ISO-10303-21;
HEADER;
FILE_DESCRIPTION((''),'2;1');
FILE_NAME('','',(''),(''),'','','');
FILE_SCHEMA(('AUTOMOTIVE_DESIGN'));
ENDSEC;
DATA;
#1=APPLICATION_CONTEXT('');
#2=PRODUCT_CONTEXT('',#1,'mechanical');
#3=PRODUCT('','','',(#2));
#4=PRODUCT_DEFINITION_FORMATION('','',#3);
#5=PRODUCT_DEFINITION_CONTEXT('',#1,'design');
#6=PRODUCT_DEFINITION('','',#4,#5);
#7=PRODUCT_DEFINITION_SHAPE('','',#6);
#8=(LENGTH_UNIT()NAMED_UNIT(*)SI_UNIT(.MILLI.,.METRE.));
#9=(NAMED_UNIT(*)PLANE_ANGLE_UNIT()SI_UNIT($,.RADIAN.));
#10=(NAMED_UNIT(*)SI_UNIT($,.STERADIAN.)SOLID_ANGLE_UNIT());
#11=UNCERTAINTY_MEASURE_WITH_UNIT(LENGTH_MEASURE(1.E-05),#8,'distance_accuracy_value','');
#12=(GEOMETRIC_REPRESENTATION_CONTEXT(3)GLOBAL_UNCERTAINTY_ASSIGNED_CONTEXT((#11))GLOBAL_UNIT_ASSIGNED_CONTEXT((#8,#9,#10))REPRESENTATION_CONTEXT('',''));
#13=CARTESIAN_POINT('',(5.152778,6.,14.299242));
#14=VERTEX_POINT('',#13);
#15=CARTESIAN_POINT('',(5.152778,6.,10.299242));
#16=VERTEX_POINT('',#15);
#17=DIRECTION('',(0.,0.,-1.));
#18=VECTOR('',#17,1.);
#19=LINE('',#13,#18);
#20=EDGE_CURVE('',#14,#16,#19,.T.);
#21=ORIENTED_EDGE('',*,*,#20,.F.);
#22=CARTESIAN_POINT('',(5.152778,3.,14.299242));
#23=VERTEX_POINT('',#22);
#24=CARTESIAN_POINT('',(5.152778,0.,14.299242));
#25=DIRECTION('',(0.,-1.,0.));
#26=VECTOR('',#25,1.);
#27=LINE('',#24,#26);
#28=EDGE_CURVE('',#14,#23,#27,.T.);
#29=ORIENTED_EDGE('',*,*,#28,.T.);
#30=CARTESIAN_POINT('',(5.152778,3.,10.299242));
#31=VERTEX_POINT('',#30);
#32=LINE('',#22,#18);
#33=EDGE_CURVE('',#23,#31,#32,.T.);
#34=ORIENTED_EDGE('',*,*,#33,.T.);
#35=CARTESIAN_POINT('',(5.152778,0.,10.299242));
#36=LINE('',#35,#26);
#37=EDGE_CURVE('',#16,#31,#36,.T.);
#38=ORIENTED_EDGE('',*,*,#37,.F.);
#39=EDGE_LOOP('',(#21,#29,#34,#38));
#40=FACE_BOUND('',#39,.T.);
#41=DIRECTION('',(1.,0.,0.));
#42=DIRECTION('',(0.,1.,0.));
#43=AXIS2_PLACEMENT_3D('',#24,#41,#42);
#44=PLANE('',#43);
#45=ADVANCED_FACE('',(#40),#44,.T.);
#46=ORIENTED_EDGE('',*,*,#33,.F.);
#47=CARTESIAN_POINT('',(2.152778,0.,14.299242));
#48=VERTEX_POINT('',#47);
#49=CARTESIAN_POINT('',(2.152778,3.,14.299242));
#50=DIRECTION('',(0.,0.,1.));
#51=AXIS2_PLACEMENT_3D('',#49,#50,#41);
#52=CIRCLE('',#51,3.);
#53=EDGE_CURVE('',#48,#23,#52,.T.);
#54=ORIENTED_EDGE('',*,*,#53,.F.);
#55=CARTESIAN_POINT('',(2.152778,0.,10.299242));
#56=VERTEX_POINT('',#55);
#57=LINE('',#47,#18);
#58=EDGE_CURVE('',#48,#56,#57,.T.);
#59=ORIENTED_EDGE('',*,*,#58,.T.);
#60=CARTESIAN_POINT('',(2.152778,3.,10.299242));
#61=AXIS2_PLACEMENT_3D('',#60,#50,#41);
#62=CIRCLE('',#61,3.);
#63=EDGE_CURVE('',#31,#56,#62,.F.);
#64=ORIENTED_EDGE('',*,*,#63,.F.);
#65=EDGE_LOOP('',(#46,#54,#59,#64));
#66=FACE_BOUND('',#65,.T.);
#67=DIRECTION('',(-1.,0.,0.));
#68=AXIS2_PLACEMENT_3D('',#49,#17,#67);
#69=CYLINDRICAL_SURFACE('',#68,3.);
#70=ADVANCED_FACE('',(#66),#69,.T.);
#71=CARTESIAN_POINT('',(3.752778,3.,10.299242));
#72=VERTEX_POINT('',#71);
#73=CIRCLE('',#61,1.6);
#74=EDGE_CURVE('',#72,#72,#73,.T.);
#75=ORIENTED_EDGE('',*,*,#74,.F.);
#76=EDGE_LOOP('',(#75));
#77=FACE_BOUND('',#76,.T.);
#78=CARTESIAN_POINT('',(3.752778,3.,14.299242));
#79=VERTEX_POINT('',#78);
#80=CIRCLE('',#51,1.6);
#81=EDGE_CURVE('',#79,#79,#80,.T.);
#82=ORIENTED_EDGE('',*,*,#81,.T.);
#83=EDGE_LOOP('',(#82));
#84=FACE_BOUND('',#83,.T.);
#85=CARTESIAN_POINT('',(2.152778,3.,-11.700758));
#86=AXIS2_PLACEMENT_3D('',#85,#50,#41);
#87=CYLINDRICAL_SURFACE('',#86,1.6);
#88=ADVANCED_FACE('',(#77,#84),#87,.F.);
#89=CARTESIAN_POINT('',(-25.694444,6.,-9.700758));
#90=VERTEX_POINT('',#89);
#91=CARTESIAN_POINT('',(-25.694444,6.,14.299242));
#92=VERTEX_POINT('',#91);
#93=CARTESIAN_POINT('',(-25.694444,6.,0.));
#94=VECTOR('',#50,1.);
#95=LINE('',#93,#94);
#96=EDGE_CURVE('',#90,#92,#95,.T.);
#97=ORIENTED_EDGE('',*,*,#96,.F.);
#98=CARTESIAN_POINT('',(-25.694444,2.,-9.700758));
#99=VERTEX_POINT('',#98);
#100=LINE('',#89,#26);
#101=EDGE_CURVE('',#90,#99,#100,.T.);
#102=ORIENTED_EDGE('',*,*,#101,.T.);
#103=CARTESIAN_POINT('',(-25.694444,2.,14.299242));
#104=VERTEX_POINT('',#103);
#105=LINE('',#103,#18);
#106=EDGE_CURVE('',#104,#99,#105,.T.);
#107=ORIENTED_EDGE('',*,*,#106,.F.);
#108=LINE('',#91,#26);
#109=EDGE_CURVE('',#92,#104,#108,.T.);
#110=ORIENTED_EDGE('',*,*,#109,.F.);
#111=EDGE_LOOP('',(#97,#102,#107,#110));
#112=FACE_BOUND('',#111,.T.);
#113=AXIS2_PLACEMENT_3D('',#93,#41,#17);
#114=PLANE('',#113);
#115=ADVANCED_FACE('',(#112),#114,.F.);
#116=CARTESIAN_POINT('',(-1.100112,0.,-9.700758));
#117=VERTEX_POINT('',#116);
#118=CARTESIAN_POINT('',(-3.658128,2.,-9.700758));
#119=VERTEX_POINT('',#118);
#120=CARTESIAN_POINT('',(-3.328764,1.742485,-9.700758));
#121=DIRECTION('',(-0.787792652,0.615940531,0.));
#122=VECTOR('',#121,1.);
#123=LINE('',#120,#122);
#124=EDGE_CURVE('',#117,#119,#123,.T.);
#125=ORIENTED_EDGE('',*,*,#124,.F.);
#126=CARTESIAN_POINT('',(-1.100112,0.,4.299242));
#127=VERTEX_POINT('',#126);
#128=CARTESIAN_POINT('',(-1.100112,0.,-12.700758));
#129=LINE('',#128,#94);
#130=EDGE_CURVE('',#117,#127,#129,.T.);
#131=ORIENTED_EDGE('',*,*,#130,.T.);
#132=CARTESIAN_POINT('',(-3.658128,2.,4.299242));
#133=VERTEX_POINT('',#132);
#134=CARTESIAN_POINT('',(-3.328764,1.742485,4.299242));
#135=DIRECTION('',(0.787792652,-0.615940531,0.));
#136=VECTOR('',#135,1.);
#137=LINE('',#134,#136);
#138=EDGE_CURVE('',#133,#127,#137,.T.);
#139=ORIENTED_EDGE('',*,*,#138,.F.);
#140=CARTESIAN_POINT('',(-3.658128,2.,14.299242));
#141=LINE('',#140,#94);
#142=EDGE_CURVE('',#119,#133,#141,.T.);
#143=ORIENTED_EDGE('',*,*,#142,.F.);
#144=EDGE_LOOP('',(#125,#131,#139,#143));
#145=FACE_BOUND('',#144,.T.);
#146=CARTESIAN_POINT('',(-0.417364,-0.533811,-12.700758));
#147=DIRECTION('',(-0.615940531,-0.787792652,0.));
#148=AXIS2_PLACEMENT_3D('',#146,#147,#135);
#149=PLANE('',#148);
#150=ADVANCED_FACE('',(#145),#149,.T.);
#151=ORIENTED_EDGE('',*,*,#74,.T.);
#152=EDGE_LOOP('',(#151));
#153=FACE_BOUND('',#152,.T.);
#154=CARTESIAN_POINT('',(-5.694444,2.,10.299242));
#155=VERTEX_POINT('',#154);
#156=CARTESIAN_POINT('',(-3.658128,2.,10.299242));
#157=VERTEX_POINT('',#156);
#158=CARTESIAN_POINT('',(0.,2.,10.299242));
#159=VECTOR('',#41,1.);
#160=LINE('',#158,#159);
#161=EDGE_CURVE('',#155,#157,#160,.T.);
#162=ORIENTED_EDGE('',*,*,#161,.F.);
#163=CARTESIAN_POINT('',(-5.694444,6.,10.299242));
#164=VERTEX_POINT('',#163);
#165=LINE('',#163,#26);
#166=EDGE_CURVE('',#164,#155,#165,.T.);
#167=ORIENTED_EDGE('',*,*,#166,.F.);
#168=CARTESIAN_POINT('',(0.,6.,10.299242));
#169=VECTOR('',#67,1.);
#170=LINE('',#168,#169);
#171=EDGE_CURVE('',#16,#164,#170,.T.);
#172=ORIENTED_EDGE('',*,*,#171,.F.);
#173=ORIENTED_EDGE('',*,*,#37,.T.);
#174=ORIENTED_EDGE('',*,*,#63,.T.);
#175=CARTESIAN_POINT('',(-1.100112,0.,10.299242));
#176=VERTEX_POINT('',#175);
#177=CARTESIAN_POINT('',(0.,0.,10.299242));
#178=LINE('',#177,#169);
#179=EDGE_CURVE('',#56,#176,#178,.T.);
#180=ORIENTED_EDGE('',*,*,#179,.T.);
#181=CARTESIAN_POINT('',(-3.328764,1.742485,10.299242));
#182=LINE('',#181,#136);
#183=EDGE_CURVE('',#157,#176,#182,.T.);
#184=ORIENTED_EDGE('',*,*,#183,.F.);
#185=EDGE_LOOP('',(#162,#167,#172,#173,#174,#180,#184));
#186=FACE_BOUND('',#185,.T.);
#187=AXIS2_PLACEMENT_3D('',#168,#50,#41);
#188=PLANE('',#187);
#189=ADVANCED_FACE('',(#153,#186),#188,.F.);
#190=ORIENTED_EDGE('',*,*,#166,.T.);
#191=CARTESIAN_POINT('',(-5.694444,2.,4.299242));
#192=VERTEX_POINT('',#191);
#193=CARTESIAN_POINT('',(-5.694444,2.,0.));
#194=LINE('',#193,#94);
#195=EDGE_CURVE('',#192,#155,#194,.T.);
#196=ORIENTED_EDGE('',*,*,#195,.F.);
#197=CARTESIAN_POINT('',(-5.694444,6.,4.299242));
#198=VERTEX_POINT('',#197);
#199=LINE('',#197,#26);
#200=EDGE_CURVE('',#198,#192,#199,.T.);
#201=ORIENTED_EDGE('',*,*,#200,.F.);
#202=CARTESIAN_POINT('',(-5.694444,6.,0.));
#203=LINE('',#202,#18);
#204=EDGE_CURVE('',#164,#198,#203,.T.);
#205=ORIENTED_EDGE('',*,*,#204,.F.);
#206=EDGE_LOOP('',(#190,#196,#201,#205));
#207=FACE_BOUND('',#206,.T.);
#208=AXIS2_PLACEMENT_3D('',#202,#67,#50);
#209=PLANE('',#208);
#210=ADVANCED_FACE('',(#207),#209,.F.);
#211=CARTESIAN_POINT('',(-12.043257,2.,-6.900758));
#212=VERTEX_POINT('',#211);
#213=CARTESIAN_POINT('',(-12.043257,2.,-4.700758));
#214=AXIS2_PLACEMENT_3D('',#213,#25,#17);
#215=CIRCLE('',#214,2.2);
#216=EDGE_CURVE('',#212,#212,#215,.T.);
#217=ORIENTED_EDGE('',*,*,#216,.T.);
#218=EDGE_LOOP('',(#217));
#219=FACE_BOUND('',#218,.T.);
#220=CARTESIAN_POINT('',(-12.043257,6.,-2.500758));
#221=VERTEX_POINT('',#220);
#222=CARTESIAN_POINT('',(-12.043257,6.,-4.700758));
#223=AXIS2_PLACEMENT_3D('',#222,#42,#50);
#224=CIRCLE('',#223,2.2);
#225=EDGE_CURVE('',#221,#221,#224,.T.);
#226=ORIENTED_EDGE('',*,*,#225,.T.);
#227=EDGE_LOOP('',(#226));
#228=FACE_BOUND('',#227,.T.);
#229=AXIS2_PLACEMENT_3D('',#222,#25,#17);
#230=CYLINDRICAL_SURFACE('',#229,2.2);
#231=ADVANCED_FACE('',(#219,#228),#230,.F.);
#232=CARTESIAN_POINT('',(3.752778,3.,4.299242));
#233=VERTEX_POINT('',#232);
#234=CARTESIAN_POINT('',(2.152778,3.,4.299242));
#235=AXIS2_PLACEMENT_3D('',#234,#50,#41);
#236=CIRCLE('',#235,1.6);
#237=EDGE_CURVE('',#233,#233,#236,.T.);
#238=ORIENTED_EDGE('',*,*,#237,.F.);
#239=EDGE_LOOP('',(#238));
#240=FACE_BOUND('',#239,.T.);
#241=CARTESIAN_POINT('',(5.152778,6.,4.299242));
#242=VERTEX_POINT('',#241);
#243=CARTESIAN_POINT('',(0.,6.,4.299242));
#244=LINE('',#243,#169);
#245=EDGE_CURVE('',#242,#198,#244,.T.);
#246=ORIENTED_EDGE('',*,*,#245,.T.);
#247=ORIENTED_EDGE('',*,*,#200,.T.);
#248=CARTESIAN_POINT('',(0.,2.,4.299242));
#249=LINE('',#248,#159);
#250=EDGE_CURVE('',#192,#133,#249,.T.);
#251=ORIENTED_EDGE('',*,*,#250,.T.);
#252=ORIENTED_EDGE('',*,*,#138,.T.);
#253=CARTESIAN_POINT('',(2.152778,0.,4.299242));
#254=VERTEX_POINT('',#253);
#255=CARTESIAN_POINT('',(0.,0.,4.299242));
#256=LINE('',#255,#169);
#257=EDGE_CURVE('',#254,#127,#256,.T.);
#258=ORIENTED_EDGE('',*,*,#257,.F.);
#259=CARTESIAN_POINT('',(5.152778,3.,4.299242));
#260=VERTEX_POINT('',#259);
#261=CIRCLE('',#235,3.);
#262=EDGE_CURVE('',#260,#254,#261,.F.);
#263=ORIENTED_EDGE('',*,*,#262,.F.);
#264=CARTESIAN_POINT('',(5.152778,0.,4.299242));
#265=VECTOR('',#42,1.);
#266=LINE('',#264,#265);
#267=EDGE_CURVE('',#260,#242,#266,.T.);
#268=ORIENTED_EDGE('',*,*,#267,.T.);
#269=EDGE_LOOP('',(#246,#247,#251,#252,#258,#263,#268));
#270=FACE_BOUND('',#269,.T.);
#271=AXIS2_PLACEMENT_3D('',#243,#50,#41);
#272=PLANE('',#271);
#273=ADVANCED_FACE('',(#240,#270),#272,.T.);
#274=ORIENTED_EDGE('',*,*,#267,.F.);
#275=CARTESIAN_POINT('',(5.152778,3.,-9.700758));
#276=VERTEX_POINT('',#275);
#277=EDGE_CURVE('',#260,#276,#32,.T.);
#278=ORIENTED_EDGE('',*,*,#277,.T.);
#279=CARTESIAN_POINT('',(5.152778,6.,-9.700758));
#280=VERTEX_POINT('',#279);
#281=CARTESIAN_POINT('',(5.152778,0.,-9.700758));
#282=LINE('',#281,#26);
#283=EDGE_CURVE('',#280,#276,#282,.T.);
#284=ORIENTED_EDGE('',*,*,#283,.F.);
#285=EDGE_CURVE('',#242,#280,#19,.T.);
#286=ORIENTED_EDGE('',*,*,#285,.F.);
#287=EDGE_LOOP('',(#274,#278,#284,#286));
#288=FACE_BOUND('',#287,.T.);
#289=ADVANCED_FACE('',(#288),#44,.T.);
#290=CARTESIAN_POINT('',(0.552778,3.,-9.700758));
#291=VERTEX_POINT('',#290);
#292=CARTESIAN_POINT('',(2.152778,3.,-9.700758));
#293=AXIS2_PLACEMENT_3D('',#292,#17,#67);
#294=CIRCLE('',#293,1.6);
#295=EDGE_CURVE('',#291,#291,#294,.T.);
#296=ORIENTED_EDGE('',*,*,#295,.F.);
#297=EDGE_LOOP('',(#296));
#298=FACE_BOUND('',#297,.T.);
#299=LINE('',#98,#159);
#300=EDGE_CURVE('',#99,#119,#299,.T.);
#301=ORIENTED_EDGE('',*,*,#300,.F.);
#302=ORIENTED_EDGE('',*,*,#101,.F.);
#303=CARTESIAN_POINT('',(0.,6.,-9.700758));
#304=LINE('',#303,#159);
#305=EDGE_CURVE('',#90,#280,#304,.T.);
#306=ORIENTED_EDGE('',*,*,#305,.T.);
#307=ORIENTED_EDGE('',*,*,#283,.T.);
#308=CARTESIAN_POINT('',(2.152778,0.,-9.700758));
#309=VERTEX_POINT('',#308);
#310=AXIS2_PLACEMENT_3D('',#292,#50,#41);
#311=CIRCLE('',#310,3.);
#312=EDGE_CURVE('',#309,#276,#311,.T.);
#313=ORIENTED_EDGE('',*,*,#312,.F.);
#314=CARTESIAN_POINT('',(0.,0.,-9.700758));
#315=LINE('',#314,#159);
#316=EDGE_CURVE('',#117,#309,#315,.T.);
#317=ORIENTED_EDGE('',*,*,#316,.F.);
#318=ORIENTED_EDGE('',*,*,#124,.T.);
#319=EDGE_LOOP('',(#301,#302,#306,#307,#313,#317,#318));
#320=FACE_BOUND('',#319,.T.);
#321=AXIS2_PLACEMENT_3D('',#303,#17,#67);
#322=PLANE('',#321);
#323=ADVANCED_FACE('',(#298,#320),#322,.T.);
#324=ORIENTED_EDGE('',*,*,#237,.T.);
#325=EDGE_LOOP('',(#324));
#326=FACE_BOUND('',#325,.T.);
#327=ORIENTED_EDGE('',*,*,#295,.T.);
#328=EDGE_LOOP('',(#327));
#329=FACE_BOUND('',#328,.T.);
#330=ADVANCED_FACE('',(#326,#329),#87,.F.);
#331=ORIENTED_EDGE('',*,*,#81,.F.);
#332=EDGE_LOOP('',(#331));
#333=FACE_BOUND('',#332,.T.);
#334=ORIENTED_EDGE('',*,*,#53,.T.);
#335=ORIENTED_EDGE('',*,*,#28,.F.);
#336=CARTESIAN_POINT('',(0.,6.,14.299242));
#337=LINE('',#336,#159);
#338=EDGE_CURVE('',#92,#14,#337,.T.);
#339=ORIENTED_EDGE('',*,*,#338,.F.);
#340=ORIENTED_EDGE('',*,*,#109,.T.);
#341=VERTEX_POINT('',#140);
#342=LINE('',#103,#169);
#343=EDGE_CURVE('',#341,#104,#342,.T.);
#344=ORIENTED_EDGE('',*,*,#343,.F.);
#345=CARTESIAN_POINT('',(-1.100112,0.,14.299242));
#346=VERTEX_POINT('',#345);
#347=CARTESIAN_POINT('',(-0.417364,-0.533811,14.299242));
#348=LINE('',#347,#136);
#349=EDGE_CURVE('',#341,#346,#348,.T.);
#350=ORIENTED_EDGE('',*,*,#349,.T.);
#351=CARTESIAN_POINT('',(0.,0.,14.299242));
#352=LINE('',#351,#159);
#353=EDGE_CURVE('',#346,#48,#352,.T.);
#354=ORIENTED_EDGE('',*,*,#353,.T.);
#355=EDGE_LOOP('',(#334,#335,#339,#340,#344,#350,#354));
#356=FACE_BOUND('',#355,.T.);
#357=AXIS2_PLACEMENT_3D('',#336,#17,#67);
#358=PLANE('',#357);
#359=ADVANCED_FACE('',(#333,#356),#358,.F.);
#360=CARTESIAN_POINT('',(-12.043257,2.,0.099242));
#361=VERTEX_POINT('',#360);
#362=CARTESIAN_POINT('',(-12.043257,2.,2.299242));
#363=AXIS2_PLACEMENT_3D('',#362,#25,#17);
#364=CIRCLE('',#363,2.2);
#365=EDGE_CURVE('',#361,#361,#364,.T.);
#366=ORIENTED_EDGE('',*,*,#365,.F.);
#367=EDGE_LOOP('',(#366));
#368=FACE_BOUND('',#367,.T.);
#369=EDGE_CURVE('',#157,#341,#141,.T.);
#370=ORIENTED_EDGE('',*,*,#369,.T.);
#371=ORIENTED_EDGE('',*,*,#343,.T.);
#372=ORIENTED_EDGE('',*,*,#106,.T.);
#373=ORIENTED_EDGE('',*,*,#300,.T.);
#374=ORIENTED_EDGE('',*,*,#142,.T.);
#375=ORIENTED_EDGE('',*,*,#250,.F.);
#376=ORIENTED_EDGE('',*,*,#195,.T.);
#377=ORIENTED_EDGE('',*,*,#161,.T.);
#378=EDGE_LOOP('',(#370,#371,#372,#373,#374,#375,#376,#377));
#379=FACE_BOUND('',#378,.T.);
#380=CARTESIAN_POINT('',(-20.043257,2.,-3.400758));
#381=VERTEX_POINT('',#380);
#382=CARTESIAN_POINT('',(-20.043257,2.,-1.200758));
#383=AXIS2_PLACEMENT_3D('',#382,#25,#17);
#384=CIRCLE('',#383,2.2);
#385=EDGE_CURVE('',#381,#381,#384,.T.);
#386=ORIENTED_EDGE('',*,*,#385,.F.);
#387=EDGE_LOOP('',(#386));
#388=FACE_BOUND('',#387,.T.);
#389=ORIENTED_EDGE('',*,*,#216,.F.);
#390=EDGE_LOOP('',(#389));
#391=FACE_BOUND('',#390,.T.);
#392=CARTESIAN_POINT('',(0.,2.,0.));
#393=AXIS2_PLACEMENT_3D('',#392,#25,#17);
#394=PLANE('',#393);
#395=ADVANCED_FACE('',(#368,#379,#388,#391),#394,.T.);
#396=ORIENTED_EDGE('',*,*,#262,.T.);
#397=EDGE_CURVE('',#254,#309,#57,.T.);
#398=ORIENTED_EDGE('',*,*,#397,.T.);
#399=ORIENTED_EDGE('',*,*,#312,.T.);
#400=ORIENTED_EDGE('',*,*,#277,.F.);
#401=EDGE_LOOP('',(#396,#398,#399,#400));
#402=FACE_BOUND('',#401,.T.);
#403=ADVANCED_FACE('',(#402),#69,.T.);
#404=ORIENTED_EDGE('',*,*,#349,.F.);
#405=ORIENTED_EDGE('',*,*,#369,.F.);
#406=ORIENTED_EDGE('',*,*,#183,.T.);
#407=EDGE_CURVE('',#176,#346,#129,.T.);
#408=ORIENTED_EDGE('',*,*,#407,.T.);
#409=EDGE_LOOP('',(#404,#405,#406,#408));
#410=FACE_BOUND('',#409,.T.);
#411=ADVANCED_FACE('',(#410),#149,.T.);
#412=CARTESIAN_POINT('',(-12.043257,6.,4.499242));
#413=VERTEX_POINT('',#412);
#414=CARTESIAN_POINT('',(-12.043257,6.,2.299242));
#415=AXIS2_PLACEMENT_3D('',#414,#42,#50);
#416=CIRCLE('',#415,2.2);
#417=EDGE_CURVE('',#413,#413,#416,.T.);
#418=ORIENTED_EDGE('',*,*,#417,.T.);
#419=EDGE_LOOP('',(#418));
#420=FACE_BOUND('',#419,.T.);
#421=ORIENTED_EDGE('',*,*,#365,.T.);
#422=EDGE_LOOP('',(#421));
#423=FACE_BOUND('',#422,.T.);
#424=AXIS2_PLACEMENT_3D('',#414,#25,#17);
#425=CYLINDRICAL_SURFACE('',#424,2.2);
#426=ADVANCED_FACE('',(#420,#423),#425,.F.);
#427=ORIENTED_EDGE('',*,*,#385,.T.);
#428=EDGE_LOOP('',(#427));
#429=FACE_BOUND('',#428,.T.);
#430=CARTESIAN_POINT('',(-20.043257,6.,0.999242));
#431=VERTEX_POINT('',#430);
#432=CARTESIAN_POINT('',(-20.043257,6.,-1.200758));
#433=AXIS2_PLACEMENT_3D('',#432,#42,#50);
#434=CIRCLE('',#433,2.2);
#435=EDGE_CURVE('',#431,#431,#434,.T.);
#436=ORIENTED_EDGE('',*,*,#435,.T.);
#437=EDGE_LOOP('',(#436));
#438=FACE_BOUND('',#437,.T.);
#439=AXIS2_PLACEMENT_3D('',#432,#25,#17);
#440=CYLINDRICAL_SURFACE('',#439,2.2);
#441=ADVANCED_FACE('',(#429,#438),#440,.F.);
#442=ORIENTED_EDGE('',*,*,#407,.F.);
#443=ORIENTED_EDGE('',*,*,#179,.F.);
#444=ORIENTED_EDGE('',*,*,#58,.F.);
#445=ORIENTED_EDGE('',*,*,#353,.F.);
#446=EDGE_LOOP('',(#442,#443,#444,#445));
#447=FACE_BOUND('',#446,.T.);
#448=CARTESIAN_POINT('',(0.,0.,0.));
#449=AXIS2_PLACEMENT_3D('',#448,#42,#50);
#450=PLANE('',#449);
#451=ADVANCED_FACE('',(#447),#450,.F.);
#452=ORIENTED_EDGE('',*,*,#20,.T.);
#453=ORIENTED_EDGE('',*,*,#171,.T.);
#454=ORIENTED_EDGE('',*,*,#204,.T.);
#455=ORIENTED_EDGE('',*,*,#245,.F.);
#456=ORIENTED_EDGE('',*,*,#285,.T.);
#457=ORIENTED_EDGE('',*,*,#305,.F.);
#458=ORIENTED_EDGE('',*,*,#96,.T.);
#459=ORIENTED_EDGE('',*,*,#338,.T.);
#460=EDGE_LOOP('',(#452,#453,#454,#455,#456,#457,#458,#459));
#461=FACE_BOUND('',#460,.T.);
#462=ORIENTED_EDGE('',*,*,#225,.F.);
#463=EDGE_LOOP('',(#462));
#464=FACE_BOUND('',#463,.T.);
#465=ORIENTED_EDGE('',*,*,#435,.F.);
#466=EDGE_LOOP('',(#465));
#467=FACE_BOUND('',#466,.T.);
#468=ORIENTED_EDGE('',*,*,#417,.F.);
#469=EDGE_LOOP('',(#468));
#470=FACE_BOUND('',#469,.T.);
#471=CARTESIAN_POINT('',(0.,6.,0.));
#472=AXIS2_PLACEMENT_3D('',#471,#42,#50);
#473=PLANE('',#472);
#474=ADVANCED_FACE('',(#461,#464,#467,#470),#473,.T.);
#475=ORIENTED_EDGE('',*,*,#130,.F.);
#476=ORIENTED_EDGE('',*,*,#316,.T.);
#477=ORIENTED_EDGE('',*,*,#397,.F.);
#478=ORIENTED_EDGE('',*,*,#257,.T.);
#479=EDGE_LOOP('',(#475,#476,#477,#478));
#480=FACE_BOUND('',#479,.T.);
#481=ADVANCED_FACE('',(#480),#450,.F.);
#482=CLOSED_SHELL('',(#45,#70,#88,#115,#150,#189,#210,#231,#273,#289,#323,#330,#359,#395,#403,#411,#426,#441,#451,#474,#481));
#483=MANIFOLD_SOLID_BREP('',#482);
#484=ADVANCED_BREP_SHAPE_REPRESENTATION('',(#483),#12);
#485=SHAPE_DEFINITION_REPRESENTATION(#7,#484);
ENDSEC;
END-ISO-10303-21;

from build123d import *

# Parameters (mm, degrees)
SKETCH_1_R          = 2.2
EXTRUDE_2_DEPTH     = 6
SKETCH_2_R          = 1.6
CUT_EXTRUDE_2_DEPTH = 26
SKETCH_3_W          = 22.036316786
SKETCH_3_H          = 24
CUT_EXTRUDE_3_DEPTH = 2
CUT_EXTRUDE_4_DEPTH = 27
CUT_EXTRUDE_7_DEPTH = 24
EXTRUDE_4_DEPTH     = 24
SKETCH_9_W          = 6
SKETCH_9_H          = 5.089389346
CUT_EXTRUDE_8_DEPTH = 24


with BuildPart() as part:
    # 草图1 → 凸台-拉伸2 (new body)
    with BuildSketch(Plane(origin=(0, 0, 0), x_dir=(1, 0, 0), z_dir=(0, 1, 0))):
        Polygon((4.305555556, 9.700757576), (-25.694444444, 9.700757576), (-25.694444444, -14.299242424), (4.305555556, -14.299242424), (4.305555556, -10.299242424), (-5.694444444, -10.299242424), (-5.694444444, -4.299242424), (4.305555556, -4.299242424), align=None)
        with Locations(Location((-12.043257461, -2.299242424, 0), (0, 0, 270))):
            Circle(SKETCH_1_R, mode=Mode.SUBTRACT)
        with Locations(Location((-20.043257461, 1.200757576, 0), (0, 0, 270))):
            Circle(SKETCH_1_R, mode=Mode.SUBTRACT)
        with Locations(Location((-12.043257461, 4.700757576, 0), (0, 0, 270))):
            Circle(SKETCH_1_R, mode=Mode.SUBTRACT)
    extrude(amount=EXTRUDE_2_DEPTH)

    # 草图2 → 切除-拉伸2 (cut)
    with BuildSketch(Plane.XY.offset(14.299242424)):
        with Locations((2.152777778, 3)):
            Circle(SKETCH_2_R)
    extrude(amount=-CUT_EXTRUDE_2_DEPTH, mode=Mode.SUBTRACT)

    # 草图3 → 切除-拉伸3 (cut)
    with BuildSketch(Plane.XZ):
        with Locations((-14.676286051, 2.299242424)):
            Rectangle(SKETCH_3_W, SKETCH_3_H)
    extrude(amount=-CUT_EXTRUDE_3_DEPTH, mode=Mode.SUBTRACT)

    # 草图4 → 切除-拉伸4 (cut)
    with BuildSketch(Plane.XY.offset(14.299242424)):
        Polygon((-1.100112358, 0), (-3.658127658, 2), (-3.658127658, 0), align=None)
    extrude(amount=-CUT_EXTRUDE_4_DEPTH, mode=Mode.SUBTRACT)

    # 草图5 → 切除-拉伸7 (cut)
    with BuildSketch(Plane(origin=(0, 0, -9.700757576), x_dir=(-1, 0, 0), z_dir=(0, 0, -1))):
        with BuildLine():
            Line((-2.152777778, 0), (-4.305555556, 0))
            Line((-4.305555556, 0), (-4.305555556, 0.910610654))
            ThreePointArc((-4.305555556, 0.910610654), (-3.32150186, 0.237015378), (-2.152777778, 0))
        make_face()
    extrude(amount=-CUT_EXTRUDE_7_DEPTH, mode=Mode.SUBTRACT)

    # 草图8 → 凸台-拉伸4 (add)
    with BuildSketch(Plane(origin=(0, 0, -9.700757576), x_dir=(-1, 0, 0), z_dir=(0, 0, -1))):
        with BuildLine():
            ThreePointArc((-4.305555556, 0.910610654), (-4.932915664, 1.872687562), (-5.152777778, 3))
            Line((-5.152777778, 3), (-5.152777778, 6))
            Line((-5.152777778, 6), (-4.305555556, 6))
            Line((-4.305555556, 6), (-4.305555556, 0.910610654))
        make_face()
    extrude(amount=-EXTRUDE_4_DEPTH)

    # 草图9 → 切除-拉伸8 (cut)
    with BuildSketch(Plane.ZY.offset(-4.305555556)):
        with Locations((7.299242424, 3.455305327)):
            Rectangle(SKETCH_9_W, SKETCH_9_H)
    extrude(amount=-CUT_EXTRUDE_8_DEPTH, mode=Mode.SUBTRACT)


solid = part.part
